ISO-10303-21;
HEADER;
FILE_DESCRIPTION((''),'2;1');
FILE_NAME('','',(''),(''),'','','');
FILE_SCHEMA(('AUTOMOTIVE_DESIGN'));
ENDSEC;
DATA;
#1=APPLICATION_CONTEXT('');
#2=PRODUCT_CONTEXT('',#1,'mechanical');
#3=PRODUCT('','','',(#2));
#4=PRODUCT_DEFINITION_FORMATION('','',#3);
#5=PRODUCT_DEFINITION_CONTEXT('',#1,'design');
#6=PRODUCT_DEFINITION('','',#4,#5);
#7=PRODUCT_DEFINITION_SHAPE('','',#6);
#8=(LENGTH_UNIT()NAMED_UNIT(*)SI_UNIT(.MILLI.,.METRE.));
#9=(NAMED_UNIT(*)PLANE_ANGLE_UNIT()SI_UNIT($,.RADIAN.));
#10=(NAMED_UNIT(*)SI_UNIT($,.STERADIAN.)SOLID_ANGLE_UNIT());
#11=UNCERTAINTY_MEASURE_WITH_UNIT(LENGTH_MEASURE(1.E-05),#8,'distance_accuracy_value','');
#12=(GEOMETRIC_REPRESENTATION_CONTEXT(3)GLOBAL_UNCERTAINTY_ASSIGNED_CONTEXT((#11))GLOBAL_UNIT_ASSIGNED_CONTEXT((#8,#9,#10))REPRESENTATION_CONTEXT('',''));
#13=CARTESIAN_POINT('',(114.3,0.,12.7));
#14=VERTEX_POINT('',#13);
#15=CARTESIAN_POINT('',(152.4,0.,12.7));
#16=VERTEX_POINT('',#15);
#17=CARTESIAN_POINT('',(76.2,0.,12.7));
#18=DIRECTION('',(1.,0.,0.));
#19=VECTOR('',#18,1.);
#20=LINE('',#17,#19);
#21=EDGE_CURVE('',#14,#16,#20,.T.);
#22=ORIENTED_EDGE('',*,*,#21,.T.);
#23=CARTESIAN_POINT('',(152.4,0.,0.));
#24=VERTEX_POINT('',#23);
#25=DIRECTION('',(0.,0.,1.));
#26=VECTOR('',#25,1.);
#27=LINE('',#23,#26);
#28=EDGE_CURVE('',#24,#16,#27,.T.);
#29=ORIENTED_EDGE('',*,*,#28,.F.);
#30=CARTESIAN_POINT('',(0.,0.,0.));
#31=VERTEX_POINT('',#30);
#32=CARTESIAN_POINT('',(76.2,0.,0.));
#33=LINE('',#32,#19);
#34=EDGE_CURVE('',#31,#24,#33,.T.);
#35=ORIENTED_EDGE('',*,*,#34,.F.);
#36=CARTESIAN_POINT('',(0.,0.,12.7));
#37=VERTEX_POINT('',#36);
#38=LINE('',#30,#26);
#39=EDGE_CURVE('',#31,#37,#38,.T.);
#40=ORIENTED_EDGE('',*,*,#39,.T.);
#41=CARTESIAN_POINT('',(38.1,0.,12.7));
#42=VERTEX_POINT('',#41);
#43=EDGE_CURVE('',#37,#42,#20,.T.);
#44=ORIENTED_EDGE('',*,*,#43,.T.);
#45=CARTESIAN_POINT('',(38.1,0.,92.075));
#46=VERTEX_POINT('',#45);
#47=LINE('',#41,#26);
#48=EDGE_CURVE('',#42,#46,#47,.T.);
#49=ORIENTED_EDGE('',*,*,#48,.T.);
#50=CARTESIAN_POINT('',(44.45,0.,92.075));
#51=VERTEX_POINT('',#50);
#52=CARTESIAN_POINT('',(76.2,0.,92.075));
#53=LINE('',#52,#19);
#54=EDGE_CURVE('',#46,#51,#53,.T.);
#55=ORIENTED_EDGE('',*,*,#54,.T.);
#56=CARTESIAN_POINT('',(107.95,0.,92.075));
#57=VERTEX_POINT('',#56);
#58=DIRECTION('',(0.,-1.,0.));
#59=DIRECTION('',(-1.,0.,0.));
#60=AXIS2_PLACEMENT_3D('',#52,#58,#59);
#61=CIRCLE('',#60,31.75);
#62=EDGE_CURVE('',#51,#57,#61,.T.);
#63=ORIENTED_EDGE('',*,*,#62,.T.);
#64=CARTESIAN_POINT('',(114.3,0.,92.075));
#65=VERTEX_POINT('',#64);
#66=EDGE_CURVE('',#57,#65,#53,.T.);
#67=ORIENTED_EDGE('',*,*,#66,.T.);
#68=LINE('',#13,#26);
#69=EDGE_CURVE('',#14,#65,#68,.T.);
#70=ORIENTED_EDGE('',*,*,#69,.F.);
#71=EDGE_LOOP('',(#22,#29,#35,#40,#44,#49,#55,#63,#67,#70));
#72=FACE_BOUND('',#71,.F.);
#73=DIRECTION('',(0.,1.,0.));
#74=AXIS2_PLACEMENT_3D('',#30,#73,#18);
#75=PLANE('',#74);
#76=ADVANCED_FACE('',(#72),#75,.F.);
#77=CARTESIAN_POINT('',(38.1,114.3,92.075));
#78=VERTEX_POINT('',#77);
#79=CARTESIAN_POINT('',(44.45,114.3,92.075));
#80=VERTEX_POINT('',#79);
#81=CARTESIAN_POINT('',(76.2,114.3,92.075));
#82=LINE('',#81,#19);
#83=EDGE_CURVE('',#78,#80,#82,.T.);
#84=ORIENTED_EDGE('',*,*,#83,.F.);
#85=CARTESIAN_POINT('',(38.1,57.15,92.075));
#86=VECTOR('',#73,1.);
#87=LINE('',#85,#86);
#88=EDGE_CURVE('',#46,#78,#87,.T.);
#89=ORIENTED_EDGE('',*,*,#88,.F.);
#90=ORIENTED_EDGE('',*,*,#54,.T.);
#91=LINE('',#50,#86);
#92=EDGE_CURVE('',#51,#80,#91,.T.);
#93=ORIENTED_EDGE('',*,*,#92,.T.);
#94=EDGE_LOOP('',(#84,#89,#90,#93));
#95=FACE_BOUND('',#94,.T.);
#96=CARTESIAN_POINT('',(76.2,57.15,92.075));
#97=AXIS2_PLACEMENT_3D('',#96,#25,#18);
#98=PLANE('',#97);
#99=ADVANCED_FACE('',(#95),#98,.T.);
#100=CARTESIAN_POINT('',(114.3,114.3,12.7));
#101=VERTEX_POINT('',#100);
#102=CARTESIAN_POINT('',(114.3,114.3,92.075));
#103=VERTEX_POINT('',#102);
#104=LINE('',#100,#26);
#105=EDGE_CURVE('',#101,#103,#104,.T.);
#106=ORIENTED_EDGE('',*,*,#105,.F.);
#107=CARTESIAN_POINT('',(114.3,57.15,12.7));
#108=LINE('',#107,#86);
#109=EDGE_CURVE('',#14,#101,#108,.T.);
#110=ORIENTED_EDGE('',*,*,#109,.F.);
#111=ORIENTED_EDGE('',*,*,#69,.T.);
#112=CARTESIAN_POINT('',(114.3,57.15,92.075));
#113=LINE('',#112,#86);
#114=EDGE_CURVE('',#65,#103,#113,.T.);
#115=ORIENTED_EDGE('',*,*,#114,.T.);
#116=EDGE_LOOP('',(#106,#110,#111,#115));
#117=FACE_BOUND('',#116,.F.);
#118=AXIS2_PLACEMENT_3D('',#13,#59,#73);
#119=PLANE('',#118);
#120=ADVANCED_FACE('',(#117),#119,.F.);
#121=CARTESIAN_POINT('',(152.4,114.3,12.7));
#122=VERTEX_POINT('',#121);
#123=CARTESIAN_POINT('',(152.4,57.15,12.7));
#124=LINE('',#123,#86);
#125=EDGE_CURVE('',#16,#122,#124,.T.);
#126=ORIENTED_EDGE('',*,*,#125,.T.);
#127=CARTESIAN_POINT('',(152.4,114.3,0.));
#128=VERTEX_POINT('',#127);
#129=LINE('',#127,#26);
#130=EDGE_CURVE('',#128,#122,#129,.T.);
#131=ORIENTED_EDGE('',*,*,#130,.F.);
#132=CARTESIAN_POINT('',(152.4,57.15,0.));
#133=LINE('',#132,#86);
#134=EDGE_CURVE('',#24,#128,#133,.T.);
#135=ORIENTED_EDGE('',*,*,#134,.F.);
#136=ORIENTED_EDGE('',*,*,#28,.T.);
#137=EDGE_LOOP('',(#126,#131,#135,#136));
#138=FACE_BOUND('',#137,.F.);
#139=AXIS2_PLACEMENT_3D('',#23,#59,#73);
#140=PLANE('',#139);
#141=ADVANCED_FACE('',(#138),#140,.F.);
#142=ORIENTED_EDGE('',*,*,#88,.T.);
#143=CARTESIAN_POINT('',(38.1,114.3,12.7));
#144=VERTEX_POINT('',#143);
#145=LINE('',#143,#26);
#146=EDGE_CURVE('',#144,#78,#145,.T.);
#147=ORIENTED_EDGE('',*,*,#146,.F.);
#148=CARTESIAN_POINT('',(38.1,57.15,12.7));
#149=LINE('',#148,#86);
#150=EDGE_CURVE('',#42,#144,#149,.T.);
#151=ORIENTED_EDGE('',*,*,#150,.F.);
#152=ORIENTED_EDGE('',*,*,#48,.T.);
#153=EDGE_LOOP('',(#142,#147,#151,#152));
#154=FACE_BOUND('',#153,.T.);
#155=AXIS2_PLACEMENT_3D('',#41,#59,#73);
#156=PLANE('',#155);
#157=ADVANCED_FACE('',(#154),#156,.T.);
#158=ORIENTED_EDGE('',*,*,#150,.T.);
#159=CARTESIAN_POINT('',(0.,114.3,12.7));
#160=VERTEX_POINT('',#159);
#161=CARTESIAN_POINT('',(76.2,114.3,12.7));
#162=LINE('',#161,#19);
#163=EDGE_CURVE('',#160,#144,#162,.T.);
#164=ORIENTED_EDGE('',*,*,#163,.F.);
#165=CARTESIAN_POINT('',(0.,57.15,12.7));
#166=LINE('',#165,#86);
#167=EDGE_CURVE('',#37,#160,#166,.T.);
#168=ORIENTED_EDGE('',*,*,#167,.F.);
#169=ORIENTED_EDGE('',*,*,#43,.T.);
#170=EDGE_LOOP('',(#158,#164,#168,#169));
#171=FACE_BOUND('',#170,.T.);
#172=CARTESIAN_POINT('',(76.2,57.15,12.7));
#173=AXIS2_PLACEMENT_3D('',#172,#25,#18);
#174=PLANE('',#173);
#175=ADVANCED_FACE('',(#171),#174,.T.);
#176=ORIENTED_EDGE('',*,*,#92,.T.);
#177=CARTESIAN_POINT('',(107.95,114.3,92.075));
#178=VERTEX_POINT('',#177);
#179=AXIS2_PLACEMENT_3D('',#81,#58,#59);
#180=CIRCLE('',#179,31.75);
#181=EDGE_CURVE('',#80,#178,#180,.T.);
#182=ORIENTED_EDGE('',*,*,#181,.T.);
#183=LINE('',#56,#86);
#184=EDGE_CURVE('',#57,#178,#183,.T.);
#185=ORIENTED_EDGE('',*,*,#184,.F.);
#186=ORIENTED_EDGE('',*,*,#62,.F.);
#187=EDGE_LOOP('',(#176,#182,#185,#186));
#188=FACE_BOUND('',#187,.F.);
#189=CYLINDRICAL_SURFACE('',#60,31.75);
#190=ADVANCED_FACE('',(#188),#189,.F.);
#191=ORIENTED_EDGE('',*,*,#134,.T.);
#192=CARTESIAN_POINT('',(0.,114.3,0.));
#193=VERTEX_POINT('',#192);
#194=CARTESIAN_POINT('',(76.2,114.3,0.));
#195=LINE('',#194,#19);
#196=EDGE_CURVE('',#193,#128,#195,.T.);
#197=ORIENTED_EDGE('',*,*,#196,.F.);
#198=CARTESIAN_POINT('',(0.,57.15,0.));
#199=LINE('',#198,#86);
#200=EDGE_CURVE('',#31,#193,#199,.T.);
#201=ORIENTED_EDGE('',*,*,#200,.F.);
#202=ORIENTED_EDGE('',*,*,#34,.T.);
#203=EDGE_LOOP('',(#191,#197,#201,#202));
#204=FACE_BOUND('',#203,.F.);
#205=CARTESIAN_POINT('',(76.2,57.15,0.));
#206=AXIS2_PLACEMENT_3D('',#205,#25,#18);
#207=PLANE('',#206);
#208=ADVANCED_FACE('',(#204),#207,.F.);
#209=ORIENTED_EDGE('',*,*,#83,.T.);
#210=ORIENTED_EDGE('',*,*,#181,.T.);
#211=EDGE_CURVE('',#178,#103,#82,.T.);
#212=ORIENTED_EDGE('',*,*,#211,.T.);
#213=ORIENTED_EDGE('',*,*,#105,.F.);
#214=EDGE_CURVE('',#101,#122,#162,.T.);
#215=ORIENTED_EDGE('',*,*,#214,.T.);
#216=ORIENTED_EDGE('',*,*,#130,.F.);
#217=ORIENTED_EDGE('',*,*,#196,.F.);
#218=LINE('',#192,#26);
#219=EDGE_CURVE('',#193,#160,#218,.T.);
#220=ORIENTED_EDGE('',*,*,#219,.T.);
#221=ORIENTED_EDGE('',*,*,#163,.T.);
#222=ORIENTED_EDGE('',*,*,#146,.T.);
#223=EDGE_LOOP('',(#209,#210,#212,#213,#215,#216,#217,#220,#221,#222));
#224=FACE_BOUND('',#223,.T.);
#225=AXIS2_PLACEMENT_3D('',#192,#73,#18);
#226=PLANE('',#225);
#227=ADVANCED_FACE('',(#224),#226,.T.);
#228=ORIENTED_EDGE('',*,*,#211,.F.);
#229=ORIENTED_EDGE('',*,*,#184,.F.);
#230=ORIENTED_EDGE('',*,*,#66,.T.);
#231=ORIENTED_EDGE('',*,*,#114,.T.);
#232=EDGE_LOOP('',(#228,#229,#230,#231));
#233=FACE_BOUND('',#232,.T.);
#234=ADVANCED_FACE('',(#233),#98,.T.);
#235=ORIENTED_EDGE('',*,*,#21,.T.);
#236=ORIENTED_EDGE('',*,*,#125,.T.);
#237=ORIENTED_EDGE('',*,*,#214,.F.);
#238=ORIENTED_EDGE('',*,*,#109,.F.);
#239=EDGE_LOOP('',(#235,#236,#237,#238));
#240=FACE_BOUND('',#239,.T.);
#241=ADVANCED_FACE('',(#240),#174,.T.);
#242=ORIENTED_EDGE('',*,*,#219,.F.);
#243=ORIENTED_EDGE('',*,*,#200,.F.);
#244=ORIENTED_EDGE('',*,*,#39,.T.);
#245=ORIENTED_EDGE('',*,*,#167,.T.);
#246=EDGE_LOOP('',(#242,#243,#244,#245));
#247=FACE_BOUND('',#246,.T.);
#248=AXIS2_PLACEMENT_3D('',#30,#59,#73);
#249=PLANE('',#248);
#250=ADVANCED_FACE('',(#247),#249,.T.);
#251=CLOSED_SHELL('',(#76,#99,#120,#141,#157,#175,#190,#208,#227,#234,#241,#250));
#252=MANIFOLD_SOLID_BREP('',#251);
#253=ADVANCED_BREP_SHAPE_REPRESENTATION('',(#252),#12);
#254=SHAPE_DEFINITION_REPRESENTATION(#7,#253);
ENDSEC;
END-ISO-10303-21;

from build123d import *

# Parameters (mm, degrees)
F0_W     = 152.4
F0_H     = 114.3
F1_DEPTH = 12.7
F2_W     = 76.2
F2_H     = 114.3
F3_DEPTH = 79.375
F5_DEPTH = 127


with BuildPart() as f1:
    # F0 (on Top) → F1 (new body)
    with BuildSketch(Plane.XY):
        with Locations((76.2, 57.15)):
            Rectangle(F0_W, F0_H)
    extrude(amount=F1_DEPTH)

    # F2 (on face) → F3 (join)
    with BuildSketch(Plane.XY.offset(12.7)):
        with Locations((76.2, 57.15)):
            Rectangle(F2_W, F2_H)
    extrude(amount=F3_DEPTH)

    # F4 (on face) → F5 (cut)
    with BuildSketch(Plane.XZ):
        with BuildLine():
            ThreePointArc((44.45, 92.075), (76.2, 60.325), (107.95, 92.075))
            Line((107.95, 92.075), (44.45, 92.075))
        make_face()
    extrude(amount=-F5_DEPTH, mode=Mode.SUBTRACT)


solid = f1.part
